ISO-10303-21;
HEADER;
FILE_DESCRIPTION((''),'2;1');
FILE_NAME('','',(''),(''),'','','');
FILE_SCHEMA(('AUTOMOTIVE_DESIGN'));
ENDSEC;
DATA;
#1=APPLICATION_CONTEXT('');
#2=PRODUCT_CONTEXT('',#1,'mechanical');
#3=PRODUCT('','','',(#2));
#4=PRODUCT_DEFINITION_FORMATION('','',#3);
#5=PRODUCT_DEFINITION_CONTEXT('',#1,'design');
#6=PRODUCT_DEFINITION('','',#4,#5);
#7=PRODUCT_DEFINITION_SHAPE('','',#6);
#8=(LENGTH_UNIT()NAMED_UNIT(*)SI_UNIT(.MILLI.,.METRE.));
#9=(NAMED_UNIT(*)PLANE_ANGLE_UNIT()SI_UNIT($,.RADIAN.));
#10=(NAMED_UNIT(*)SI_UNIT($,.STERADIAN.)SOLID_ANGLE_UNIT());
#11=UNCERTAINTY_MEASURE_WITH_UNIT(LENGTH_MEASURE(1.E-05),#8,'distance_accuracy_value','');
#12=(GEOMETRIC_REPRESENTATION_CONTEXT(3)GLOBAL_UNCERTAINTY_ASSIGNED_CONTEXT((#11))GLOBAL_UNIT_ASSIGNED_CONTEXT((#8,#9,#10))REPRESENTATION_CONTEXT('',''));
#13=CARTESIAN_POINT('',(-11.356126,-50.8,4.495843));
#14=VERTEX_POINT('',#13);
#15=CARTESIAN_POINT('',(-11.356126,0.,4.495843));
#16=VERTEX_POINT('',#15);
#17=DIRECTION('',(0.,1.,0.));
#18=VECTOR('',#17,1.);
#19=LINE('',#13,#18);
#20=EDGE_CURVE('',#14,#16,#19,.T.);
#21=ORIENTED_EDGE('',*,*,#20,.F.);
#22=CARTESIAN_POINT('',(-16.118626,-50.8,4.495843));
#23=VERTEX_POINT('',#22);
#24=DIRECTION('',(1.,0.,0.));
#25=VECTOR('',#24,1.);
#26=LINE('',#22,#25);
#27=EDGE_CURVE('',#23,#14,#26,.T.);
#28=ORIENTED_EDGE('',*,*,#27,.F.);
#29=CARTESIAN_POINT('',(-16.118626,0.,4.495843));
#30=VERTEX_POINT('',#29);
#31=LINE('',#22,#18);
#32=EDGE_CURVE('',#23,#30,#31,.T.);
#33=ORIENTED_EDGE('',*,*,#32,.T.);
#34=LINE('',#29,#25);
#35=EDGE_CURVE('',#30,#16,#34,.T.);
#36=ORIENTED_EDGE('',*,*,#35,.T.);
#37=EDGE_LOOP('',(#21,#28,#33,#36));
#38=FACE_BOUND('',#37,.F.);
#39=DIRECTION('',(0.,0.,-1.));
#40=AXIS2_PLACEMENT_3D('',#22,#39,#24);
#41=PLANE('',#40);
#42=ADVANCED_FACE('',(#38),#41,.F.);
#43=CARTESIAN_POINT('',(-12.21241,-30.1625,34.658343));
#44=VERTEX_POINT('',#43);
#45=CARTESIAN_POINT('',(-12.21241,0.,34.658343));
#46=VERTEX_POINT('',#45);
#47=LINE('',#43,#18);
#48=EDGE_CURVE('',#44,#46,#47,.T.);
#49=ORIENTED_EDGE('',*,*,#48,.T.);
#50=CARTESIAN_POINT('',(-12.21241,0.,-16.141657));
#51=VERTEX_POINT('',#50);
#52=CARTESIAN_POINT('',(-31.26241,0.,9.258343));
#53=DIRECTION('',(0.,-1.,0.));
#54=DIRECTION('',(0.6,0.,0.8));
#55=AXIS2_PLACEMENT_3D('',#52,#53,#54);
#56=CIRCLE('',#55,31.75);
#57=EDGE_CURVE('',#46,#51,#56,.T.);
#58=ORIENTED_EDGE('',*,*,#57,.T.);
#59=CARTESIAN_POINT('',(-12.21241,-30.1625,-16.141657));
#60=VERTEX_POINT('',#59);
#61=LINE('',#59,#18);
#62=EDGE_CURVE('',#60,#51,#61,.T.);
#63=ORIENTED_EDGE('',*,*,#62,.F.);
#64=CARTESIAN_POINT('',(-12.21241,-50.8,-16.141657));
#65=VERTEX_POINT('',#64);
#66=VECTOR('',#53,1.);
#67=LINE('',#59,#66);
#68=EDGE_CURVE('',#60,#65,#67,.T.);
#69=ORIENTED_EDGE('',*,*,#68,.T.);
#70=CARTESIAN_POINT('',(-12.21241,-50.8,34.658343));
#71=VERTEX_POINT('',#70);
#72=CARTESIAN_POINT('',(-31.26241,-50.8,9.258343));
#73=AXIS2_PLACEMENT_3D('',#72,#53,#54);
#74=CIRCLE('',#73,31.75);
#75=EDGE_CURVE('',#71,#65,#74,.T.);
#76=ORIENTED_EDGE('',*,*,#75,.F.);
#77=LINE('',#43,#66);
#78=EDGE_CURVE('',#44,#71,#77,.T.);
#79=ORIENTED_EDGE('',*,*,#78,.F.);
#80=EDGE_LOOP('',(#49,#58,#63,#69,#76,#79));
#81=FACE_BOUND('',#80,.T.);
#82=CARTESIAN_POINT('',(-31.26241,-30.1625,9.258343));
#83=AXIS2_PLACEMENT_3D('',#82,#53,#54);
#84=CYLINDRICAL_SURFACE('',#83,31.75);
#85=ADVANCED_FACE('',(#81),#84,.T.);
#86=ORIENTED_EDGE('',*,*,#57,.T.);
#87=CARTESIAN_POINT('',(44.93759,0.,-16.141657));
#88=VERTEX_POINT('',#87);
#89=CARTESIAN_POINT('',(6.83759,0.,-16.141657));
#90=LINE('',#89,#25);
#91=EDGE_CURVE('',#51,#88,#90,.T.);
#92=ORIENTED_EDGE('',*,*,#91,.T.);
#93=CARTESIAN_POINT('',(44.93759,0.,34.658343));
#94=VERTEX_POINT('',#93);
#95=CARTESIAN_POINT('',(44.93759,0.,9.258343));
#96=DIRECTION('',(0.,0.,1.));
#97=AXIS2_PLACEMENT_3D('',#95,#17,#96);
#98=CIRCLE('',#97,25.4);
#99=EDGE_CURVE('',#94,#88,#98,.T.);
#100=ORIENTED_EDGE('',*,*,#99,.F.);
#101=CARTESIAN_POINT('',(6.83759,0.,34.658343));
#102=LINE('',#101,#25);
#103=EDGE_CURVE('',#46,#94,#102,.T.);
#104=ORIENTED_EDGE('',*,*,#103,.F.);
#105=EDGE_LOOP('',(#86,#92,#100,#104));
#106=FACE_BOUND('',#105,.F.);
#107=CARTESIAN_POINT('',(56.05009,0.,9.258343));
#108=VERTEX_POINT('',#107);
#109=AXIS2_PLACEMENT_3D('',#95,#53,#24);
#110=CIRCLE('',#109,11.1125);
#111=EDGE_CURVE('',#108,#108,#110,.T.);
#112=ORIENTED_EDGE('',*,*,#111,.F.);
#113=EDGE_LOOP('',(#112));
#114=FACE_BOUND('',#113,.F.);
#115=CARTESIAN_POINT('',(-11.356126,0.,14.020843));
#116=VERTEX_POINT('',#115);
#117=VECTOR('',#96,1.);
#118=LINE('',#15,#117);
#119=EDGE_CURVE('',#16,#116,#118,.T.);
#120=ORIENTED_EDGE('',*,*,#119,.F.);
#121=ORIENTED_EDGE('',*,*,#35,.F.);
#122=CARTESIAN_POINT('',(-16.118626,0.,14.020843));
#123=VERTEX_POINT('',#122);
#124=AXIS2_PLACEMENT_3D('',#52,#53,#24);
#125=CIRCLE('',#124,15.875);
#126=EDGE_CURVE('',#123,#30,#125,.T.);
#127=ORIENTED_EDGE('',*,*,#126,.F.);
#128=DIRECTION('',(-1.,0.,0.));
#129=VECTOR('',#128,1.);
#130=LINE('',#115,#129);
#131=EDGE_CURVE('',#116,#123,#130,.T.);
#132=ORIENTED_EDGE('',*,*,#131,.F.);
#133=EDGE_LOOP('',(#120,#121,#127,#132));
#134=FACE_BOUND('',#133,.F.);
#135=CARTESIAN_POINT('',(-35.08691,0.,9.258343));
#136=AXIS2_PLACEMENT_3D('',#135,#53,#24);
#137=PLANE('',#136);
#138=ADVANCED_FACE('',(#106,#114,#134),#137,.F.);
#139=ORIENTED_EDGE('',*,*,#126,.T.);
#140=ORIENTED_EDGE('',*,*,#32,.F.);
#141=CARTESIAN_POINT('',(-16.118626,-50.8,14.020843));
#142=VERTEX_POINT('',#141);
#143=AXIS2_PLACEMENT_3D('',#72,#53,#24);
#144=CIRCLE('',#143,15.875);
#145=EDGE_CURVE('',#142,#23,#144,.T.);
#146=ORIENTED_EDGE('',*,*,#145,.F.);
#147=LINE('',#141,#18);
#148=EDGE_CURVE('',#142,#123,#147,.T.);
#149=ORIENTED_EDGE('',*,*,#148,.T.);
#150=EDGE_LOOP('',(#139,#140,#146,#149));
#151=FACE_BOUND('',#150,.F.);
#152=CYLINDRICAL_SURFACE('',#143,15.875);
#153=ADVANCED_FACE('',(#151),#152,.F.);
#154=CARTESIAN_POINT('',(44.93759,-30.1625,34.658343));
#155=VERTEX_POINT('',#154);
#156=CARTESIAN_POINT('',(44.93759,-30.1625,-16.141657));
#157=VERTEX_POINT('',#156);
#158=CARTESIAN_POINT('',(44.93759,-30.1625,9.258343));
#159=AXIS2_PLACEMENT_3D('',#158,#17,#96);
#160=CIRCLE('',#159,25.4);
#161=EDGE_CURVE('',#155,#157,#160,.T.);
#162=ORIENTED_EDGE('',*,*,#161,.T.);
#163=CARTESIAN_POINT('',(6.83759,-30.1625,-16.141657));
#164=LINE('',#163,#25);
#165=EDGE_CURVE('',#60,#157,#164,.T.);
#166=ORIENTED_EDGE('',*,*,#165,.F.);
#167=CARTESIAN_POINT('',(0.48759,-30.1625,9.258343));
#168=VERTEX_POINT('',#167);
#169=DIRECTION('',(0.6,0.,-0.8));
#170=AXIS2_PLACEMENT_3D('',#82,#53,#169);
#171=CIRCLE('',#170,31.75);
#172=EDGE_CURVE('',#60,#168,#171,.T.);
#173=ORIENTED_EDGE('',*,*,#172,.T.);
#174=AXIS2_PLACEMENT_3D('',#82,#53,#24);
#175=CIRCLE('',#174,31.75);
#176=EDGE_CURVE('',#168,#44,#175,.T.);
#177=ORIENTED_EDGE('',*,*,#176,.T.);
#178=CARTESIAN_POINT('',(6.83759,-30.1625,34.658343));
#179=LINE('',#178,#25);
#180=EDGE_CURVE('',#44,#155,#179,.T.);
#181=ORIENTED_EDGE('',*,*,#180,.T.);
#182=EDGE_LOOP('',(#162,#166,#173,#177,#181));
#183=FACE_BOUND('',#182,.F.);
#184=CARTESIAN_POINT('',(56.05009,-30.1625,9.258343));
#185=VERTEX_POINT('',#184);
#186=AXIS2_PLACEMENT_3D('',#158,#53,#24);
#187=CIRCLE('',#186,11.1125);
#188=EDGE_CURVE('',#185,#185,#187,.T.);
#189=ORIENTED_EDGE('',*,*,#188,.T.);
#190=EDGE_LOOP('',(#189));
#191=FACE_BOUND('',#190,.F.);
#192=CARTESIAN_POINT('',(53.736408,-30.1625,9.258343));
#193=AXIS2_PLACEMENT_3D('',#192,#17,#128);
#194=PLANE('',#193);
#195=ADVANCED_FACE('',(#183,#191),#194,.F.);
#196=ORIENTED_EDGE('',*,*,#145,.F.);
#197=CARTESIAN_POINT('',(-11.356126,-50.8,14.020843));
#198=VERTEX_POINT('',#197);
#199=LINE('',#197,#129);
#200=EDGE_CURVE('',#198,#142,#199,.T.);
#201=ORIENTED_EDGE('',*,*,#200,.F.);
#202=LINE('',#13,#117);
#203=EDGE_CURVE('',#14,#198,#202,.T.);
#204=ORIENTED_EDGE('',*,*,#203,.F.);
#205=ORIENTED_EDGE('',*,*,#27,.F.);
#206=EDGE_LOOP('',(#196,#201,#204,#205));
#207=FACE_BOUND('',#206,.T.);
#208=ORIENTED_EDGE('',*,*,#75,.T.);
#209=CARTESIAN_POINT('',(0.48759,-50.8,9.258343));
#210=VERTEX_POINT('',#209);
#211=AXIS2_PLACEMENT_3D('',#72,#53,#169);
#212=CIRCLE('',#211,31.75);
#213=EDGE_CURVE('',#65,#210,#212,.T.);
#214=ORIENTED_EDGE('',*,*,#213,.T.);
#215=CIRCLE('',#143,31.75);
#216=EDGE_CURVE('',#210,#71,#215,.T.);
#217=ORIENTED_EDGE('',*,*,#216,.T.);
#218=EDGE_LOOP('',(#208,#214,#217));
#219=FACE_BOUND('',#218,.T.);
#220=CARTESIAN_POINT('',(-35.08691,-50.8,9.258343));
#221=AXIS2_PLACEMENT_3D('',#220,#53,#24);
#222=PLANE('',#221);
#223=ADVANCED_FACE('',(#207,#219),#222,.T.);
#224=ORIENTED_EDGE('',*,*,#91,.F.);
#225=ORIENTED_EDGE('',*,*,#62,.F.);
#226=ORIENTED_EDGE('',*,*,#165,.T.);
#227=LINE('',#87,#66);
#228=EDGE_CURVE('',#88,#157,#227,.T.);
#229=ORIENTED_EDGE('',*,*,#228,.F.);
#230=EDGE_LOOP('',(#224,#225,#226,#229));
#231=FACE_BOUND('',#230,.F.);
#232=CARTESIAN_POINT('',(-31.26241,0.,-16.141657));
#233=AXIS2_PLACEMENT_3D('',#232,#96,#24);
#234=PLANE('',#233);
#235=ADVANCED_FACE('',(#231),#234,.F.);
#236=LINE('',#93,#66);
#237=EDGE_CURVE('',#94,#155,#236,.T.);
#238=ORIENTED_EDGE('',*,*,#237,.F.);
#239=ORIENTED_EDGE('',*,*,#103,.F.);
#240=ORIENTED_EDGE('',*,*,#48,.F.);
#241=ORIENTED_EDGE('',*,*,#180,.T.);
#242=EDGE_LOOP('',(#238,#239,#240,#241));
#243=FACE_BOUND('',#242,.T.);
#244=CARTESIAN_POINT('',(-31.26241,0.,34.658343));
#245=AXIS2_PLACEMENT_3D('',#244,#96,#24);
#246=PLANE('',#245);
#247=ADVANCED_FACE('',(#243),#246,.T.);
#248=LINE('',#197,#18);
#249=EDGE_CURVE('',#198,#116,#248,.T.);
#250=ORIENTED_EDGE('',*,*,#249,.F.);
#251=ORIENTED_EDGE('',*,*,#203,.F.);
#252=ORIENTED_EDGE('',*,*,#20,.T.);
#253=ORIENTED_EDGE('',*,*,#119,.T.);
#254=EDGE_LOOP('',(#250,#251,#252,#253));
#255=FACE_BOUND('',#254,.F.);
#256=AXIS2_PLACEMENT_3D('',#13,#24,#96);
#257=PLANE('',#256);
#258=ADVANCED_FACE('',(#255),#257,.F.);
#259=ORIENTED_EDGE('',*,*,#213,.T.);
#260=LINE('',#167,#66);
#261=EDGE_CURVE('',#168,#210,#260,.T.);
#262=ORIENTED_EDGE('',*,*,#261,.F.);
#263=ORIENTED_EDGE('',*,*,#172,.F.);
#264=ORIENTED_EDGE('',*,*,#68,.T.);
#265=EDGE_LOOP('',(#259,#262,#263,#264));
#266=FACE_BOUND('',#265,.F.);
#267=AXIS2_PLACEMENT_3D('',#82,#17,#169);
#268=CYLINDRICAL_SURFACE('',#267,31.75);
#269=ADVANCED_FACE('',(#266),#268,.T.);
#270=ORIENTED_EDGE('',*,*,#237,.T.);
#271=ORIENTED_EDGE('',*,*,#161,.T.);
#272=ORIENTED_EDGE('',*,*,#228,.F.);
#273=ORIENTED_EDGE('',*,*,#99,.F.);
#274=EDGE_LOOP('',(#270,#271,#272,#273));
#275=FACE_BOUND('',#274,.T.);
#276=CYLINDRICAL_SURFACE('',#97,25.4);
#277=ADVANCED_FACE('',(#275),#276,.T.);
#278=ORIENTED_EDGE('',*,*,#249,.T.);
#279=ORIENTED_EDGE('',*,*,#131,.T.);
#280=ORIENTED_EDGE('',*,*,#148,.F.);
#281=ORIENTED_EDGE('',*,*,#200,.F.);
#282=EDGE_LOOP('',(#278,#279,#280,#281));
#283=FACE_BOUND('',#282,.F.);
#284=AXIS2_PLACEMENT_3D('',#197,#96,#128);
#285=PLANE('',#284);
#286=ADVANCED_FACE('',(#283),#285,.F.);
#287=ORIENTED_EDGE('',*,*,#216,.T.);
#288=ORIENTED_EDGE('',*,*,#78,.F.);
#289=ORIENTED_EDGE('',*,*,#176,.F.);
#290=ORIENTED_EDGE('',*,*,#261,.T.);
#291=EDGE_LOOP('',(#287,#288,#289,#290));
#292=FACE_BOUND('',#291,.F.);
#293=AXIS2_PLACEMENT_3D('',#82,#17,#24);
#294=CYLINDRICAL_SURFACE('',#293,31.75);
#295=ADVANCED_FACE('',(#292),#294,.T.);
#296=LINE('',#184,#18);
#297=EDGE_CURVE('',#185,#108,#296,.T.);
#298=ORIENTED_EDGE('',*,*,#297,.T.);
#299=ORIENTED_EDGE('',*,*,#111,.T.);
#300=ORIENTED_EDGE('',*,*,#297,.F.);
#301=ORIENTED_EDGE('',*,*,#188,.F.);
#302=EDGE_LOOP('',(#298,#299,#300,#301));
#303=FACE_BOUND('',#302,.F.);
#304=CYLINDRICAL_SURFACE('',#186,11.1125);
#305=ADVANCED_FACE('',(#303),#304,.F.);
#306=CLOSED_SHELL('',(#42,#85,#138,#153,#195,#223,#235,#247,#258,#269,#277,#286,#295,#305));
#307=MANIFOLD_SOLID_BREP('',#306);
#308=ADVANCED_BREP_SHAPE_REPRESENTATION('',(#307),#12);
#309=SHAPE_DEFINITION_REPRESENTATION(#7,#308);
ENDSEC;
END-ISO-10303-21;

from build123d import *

# Parameters (mm, degrees)
F0_W      = 76.2
F0_H      = 50.8
F1_DEPTH  = 30.1625
F3_DEPTH  = 30.1625
F4_R      = 11.1125
F5_DEPTH  = 30.1625
F7_DEPTH  = 20.6375
F8_DEPTH  = 30.1625
F9_R      = 15.875
F10_DEPTH = 50.8
F12_DEPTH = 50.8


with BuildPart() as f1:
    # F0 (on Front) → F1 (new body)
    with BuildSketch(Plane.XZ):
        with Locations((6.8375896662, 9.2583434884)):
            Rectangle(F0_W, F0_H)
    extrude(amount=F1_DEPTH)

    # F2 (on face) → F3 (join)
    with BuildSketch(Plane(origin=(0, 0, 0), x_dir=(-1, 0, 0), z_dir=(0, 1, 0))):
        with BuildLine():
            Line((-44.9375896662, -16.1416565116), (-44.9375896662, 34.6583434884))
            ThreePointArc((-44.9375896662, 34.6583434884), (-70.3375896662, 9.2583434884), (-44.9375896662, -16.1416565116))
        make_face()
    extrude(amount=-F3_DEPTH)

    # F4 (on face) → F5 (cut)
    with BuildSketch(Plane.XZ.offset(30.1625)):
        with Locations((44.9375896662, 9.2583434884)):
            Circle(F4_R)
    extrude(amount=-F5_DEPTH, mode=Mode.SUBTRACT)

    # F6 (on face) → F7 (join)
    with BuildSketch(Plane.XZ.offset(30.1625)):
        with BuildLine():
            Line((-31.2624103338, 34.6583434884), (-12.2124103338, 34.6583434884))
            ThreePointArc((-12.2124103338, 34.6583434884), (-63.0124103338, 9.2583434884), (-12.2124103338, -16.1416565116))
            Line((-12.2124103338, -16.1416565116), (-31.2624103338, -16.1416565116))
            Line((-31.2624103338, -16.1416565116), (-31.2624103338, 34.6583434884))
        make_face()
        with BuildLine():
            ThreePointArc((-12.2124103338, -16.1416565116), (-2.8643470195, -4.9406881687), (0.4875896662, 9.2583434884))
            ThreePointArc((0.4875896662, 9.2583434884), (-2.8643470195, 23.4573751456), (-12.2124103338, 34.6583434884))
            Line((-12.2124103338, 34.6583434884), (-31.2624103338, 34.6583434884))
            Line((-31.2624103338, 34.6583434884), (-31.2624103338, -16.1416565116))
            Line((-31.2624103338, -16.1416565116), (-12.2124103338, -16.1416565116))
        make_face()
    extrude(amount=F7_DEPTH)

    # F8 (add): a face of the model
    f8_faces = [f1.faces().sort_by_distance(p)[0] for p in [
        (-42.7836943553, -30.1625, 9.2583434884),
    ]]
    extrude(f8_faces, amount=F8_DEPTH)

    # F9 (on face) → F10 (cut)
    with BuildSketch(Plane.XZ.offset(50.8)):
        with Locations((-31.2624103338, 9.2583434884)):
            Circle(F9_R)
    extrude(amount=-F10_DEPTH, mode=Mode.SUBTRACT)

    # F11 (on face) → F12 (cut)
    with BuildSketch(Plane.XZ.offset(50.8)):
        with BuildLine():
            Line((-11.3561255113, 14.0208434884), (-16.1186255113, 14.0208434884))
            ThreePointArc((-16.1186255113, 14.0208434884), (-15.5712789364, 11.6674969645), (-15.3874103338, 9.2583434884))
            ThreePointArc((-15.3874103338, 9.2583434884), (-15.5712789364, 6.8491900123), (-16.1186255113, 4.4958434884))
            Line((-16.1186255113, 4.4958434884), (-11.3561255113, 4.4958434884))
            Line((-11.3561255113, 4.4958434884), (-11.3561255113, 14.0208434884))
        make_face()
    extrude(amount=-F12_DEPTH, mode=Mode.SUBTRACT)


solid = f1.part
